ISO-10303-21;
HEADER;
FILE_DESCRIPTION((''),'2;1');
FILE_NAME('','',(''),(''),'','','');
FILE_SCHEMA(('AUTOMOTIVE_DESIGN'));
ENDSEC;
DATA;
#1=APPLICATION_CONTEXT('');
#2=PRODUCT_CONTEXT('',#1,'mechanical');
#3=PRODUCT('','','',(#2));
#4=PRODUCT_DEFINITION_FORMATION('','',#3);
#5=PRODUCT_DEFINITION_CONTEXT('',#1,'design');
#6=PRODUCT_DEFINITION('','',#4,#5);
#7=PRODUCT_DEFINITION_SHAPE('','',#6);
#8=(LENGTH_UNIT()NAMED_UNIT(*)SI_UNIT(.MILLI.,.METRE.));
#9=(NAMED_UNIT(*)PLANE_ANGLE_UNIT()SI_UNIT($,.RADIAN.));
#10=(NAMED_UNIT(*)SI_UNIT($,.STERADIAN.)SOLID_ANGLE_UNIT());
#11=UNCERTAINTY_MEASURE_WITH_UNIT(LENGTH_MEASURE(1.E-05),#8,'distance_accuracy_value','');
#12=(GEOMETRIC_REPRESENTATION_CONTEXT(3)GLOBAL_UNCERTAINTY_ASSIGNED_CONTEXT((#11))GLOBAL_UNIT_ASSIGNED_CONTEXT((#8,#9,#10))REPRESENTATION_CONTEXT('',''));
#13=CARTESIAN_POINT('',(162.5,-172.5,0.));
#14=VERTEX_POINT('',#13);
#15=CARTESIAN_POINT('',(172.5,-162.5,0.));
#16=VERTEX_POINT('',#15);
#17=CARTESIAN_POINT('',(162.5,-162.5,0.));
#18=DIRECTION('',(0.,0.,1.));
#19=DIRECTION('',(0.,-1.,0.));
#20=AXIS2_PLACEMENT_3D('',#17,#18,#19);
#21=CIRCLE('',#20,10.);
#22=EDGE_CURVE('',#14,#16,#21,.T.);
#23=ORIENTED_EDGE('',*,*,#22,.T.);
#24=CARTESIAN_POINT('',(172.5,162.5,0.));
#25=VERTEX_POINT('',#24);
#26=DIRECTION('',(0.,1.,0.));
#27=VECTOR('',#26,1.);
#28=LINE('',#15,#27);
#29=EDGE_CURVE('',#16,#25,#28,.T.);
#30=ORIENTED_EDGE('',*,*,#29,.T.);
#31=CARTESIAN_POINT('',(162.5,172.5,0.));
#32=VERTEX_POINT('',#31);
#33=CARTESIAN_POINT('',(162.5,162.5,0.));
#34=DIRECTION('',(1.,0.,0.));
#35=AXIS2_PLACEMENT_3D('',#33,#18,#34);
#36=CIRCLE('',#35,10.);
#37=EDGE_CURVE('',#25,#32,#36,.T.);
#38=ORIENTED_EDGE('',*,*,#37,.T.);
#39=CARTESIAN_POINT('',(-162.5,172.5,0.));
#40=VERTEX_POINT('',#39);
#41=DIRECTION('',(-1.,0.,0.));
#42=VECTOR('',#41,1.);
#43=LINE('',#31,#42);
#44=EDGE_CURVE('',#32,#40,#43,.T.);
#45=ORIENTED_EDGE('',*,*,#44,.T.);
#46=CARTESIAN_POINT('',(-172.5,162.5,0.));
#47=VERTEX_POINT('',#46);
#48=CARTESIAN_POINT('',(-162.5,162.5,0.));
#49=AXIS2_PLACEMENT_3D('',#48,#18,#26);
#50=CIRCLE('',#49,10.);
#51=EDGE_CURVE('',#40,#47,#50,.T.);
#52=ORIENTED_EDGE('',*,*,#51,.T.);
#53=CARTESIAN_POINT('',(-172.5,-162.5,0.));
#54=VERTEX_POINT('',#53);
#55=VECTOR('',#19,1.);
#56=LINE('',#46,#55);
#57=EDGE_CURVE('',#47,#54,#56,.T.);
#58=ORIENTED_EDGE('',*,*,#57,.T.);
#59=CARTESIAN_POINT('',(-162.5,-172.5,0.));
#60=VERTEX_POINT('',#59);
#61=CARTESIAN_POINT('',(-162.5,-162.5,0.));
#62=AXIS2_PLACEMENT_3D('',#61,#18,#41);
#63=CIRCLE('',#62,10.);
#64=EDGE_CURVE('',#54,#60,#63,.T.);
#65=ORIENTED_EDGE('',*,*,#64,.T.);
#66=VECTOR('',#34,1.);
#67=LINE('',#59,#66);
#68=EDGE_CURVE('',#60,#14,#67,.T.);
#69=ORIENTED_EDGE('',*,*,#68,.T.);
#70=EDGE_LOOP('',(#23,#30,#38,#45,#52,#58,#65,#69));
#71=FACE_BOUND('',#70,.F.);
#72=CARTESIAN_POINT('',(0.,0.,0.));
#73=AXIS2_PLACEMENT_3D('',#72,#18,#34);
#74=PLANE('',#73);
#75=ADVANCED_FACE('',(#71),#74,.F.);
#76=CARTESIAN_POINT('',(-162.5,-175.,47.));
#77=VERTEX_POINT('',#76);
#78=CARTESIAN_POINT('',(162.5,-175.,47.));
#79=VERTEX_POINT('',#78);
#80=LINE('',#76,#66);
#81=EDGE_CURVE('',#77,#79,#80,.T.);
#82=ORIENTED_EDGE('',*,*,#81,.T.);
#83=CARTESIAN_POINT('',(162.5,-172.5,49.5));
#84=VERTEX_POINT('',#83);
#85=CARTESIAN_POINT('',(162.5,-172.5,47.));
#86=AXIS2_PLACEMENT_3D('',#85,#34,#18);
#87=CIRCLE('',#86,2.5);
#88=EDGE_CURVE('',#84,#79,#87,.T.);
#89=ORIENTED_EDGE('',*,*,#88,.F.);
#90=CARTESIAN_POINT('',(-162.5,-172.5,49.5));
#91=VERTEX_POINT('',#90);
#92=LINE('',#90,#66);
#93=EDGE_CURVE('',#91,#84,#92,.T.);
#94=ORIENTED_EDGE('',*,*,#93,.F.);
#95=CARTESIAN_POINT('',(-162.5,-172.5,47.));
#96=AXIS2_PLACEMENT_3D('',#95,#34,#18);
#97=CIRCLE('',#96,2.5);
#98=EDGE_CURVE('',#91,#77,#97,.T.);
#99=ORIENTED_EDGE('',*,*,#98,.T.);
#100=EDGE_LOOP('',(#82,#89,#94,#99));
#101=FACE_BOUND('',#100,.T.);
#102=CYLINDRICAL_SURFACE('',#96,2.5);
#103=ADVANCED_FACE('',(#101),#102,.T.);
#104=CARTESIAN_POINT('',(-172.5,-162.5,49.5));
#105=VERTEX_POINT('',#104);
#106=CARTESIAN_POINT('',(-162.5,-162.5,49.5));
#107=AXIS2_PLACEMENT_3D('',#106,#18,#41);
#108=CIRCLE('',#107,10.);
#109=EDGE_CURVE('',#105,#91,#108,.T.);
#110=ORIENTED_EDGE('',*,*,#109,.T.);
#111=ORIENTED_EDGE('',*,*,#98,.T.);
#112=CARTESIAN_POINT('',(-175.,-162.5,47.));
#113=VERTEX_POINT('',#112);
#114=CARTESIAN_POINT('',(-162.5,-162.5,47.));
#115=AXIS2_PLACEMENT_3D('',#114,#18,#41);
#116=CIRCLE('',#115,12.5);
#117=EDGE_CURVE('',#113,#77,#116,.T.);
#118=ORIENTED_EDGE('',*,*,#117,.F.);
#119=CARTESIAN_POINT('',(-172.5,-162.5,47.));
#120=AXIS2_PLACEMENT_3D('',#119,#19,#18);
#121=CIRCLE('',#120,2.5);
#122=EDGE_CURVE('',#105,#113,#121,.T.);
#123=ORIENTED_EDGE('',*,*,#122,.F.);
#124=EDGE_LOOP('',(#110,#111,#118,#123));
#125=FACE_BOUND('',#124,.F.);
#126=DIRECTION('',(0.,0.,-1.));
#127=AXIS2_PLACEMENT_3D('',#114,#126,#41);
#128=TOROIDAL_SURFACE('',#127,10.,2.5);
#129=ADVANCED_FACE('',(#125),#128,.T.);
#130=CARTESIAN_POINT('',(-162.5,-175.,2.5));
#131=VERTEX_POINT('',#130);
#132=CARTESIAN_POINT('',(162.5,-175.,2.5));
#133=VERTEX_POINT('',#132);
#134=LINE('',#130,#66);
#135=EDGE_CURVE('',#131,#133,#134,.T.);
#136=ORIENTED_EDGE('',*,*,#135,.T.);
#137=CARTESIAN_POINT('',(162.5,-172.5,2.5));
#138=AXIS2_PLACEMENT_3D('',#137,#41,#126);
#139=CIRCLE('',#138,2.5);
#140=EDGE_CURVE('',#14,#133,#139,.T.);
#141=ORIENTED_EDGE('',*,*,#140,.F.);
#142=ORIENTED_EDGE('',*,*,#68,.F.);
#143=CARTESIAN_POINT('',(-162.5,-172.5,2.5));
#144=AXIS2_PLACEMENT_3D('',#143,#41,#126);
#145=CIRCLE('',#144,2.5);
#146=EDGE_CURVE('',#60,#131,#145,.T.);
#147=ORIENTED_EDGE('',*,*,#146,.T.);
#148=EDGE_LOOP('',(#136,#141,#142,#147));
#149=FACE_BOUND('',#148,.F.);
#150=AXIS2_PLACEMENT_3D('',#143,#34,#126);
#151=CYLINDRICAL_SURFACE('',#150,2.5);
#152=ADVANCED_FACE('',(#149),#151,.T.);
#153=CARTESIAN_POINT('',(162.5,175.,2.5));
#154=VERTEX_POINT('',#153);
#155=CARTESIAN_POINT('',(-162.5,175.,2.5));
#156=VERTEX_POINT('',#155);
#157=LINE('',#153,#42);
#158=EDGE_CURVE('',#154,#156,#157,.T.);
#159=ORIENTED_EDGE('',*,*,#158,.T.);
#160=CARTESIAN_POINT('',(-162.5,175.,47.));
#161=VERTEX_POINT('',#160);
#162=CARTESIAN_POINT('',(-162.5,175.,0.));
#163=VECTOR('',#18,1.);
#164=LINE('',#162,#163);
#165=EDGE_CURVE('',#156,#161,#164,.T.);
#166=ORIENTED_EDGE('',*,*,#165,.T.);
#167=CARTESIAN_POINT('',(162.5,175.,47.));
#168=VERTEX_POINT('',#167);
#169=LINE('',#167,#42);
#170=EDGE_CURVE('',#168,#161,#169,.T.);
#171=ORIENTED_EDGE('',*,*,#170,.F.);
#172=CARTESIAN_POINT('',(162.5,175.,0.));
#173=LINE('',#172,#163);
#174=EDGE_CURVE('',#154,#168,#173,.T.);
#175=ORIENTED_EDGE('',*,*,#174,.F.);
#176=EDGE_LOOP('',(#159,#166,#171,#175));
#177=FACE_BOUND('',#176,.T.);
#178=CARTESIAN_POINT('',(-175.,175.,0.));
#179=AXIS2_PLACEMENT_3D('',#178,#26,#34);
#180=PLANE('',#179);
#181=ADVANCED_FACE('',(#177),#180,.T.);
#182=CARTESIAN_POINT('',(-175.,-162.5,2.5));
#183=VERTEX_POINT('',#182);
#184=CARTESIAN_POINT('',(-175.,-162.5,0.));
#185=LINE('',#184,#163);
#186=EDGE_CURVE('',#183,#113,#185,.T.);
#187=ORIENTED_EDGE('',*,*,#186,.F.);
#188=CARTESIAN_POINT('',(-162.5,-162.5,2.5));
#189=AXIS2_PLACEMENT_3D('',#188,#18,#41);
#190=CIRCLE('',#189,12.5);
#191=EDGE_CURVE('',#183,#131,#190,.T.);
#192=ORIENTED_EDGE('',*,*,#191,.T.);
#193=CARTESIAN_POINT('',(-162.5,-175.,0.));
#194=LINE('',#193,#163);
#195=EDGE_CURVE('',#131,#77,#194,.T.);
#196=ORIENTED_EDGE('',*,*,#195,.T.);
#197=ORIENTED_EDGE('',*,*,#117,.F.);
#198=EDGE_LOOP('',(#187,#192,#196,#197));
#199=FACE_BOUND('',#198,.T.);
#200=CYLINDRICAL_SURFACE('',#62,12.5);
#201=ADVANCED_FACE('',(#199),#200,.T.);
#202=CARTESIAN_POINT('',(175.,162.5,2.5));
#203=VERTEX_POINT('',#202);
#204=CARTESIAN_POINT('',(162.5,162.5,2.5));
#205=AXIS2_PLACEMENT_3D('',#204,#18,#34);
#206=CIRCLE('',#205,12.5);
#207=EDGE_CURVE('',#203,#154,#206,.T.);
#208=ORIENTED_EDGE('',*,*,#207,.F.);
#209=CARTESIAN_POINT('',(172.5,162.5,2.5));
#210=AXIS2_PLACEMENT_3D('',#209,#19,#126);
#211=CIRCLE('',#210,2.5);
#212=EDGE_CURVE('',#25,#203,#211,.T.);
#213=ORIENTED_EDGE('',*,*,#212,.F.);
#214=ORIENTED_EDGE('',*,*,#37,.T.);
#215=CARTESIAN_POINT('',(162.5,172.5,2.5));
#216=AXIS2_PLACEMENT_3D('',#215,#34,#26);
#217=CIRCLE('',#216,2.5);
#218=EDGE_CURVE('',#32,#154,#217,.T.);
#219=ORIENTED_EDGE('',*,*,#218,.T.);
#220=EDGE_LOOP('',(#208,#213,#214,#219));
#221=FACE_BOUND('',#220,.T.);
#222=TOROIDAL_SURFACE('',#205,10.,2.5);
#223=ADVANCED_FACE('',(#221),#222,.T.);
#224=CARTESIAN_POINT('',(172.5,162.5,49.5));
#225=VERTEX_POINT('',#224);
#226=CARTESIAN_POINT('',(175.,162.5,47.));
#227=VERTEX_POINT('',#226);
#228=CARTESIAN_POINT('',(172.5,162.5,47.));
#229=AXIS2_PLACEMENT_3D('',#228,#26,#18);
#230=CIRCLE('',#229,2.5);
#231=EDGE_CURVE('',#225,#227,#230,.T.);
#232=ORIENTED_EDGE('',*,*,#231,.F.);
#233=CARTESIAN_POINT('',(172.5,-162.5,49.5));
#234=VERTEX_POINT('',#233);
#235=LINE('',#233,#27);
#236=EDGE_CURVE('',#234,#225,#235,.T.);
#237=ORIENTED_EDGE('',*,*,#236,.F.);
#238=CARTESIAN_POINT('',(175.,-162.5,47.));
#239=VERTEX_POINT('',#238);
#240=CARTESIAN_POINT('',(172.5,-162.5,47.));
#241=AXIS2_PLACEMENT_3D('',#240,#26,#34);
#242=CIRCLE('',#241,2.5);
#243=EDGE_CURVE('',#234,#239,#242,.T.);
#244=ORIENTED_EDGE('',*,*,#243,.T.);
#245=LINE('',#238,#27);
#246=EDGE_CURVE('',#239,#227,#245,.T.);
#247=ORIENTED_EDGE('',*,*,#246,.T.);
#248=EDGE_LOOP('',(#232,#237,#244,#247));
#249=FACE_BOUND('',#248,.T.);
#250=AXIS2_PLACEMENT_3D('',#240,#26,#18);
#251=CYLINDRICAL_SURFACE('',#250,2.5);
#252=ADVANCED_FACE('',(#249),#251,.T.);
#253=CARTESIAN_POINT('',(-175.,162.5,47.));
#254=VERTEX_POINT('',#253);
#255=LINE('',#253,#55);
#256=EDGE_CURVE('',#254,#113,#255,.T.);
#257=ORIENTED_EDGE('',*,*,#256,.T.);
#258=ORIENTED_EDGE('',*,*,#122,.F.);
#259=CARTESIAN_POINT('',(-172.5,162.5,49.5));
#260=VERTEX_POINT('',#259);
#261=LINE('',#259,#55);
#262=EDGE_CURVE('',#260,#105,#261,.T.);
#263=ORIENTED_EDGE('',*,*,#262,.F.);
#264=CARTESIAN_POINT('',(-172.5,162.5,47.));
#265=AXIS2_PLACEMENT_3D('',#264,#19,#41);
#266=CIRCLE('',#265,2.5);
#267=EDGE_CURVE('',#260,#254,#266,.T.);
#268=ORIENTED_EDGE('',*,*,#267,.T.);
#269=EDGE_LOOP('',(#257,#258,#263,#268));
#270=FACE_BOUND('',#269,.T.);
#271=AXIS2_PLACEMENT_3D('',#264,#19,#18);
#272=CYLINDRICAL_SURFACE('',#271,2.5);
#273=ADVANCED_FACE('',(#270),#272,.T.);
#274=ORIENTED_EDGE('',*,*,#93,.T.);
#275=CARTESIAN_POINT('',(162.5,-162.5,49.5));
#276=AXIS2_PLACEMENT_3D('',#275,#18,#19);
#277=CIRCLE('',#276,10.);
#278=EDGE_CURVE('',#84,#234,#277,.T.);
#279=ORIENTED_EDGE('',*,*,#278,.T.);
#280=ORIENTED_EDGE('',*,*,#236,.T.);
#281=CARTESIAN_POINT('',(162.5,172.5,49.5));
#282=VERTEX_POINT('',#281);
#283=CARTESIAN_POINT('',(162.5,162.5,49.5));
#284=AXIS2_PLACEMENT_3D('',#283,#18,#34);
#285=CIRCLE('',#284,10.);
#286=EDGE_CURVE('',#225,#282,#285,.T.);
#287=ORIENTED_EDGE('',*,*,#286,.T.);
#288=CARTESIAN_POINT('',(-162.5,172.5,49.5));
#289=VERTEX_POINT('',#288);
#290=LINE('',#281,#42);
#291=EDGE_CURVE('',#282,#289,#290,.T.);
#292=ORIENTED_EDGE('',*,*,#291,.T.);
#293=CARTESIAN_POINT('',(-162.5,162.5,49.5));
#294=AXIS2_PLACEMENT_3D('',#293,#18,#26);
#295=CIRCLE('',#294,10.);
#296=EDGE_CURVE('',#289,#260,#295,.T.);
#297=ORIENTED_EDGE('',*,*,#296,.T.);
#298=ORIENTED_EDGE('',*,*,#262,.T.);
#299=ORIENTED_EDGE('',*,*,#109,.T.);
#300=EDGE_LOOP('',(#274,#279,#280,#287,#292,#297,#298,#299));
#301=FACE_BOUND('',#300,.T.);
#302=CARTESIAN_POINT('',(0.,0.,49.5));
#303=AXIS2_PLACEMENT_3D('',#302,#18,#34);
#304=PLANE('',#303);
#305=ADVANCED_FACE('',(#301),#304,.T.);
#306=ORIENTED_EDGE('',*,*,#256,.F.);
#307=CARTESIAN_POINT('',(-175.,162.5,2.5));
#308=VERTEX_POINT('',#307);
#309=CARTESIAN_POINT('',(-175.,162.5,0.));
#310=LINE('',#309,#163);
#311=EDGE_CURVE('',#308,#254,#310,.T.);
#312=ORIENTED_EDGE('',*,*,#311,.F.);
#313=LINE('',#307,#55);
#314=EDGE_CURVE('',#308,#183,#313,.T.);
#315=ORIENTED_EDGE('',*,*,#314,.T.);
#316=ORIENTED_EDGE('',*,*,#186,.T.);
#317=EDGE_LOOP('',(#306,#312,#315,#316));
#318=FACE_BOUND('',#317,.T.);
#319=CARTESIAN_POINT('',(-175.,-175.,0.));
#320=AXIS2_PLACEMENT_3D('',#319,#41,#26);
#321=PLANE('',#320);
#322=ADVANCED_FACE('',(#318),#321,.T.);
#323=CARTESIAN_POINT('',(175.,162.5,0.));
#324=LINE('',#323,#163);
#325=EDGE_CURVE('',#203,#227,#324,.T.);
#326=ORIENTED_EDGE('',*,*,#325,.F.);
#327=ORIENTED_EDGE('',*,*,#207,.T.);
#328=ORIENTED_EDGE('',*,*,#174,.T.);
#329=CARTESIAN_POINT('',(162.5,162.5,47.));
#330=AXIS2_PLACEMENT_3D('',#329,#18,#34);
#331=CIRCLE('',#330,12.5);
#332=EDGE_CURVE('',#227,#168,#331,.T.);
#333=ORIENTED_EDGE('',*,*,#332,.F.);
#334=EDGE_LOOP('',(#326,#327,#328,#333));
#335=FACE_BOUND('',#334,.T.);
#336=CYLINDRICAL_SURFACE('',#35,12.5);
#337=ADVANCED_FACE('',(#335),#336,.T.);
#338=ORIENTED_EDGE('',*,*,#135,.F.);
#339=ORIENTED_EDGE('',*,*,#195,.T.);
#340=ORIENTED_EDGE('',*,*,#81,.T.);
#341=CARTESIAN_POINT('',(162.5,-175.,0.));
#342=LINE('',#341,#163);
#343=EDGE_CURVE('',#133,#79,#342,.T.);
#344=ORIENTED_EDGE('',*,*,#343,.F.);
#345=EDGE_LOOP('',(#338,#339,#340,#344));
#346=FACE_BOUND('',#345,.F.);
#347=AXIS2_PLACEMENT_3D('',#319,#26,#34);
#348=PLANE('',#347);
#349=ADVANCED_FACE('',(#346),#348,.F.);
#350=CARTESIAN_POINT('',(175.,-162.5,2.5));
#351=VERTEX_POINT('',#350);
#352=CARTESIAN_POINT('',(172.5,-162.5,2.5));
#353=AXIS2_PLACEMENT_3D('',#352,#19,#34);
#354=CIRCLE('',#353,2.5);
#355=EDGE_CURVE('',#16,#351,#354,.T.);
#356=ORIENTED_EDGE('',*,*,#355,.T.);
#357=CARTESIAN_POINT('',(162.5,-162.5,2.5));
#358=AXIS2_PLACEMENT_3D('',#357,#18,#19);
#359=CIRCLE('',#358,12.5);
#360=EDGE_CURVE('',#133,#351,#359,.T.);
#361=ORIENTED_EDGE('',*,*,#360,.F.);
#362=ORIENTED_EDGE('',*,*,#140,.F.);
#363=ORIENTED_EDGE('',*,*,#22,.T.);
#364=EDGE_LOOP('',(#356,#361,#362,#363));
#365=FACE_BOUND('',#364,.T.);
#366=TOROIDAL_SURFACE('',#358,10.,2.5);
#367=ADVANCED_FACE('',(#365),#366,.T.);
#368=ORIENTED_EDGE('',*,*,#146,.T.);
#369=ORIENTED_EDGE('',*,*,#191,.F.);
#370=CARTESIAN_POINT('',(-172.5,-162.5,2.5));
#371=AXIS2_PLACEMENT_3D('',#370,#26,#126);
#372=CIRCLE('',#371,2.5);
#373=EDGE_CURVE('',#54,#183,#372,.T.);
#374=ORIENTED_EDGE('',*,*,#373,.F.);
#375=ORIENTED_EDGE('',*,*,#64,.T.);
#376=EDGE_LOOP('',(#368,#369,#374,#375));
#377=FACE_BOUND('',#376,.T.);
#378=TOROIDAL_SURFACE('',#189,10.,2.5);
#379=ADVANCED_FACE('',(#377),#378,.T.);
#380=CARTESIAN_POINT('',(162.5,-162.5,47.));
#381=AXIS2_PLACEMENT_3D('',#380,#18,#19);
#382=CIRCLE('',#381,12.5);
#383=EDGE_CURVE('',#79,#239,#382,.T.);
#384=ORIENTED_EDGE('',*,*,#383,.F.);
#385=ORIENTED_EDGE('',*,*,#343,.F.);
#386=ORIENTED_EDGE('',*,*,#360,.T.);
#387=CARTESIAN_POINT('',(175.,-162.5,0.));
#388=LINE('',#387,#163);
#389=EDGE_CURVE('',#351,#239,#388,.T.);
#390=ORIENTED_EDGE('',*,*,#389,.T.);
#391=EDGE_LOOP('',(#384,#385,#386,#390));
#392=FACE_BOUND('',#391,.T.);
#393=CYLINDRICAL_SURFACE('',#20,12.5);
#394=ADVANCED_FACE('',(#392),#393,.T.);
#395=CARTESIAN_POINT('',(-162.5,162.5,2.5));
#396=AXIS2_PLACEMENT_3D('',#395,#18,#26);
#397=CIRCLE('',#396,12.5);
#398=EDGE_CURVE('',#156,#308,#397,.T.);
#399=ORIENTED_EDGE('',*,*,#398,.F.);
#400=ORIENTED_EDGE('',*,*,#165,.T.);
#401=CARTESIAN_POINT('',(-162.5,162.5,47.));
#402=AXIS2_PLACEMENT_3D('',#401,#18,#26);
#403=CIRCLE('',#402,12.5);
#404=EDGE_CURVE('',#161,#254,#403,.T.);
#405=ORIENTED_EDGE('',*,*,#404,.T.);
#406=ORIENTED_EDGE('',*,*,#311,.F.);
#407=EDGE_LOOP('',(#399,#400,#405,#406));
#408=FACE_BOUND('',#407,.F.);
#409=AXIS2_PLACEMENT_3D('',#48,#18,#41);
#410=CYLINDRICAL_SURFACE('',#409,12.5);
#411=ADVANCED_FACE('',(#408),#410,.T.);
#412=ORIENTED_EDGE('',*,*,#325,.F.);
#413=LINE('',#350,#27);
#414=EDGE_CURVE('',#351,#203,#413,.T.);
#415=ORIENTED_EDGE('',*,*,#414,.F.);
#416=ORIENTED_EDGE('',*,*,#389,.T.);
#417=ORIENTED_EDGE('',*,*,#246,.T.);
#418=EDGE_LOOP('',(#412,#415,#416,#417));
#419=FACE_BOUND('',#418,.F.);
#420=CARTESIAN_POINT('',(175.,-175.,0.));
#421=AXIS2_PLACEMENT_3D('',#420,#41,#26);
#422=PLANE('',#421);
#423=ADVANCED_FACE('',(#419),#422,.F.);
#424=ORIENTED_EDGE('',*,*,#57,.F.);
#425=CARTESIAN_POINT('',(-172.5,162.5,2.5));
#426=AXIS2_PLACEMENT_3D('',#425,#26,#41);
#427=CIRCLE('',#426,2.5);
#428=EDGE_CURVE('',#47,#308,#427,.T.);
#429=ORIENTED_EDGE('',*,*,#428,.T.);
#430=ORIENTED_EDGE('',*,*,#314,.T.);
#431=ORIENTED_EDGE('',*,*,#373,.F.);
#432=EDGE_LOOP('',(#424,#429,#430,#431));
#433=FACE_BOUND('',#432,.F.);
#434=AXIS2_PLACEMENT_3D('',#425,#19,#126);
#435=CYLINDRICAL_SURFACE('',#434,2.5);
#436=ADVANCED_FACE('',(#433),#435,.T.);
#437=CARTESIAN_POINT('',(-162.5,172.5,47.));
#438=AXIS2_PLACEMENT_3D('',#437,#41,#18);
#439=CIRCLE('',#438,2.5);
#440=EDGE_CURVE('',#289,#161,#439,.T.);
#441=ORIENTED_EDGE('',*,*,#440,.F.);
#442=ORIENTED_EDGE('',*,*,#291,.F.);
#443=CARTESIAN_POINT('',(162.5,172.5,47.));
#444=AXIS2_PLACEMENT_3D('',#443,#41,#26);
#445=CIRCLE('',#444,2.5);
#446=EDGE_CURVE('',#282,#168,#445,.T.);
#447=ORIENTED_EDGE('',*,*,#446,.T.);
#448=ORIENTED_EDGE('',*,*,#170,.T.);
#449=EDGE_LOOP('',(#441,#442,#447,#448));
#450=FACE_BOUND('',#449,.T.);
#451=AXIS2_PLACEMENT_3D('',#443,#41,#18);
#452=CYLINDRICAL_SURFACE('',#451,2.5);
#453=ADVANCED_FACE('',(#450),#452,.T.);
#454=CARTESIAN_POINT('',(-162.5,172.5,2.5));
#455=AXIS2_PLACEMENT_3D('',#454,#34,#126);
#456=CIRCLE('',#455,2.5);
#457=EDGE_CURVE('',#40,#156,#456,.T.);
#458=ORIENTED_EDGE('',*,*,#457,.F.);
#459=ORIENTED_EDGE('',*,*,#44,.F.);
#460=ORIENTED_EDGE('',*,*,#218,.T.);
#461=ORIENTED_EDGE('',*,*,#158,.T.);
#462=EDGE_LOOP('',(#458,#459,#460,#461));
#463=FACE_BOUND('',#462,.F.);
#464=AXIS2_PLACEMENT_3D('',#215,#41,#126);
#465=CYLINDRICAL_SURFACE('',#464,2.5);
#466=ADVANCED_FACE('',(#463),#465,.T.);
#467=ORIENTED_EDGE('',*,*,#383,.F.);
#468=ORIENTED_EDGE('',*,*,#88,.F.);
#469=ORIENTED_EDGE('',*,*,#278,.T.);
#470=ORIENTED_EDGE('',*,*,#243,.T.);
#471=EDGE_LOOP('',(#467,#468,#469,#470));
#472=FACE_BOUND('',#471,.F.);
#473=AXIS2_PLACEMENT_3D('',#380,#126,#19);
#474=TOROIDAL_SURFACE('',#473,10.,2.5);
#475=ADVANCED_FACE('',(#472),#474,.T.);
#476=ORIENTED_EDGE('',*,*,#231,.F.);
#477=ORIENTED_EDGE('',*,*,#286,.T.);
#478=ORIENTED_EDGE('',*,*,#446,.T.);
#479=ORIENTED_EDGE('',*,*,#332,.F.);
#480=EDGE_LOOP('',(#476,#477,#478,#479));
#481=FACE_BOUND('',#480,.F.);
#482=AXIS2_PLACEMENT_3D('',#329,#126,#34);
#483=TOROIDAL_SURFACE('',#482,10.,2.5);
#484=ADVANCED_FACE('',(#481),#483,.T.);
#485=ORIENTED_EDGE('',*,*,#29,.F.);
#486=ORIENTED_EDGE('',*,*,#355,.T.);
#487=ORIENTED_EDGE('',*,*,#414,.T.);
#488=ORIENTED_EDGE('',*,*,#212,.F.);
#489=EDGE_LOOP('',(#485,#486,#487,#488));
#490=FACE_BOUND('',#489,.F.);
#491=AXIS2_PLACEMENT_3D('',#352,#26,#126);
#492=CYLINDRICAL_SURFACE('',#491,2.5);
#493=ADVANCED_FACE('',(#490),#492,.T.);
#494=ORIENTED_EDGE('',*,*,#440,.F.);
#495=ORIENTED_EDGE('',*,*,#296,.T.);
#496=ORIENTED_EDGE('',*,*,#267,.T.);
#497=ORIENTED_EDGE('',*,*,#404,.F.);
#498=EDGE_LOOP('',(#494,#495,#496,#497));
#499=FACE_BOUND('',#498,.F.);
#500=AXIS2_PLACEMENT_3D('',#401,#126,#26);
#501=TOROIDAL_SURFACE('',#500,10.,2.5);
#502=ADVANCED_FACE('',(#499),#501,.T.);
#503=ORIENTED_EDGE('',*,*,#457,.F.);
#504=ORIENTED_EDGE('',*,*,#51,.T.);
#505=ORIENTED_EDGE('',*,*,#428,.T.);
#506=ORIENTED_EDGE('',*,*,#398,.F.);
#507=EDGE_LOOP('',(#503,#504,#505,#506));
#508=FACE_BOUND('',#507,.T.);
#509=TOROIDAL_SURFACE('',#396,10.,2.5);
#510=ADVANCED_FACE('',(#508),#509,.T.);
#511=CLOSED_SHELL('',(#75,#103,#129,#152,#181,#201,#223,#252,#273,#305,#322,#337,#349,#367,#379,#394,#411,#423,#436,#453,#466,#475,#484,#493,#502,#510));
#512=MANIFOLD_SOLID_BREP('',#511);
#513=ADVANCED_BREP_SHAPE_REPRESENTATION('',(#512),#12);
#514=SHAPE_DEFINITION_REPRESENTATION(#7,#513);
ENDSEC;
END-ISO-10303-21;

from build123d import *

# Parameters (mm, degrees)
F0_W     = 350
F0_H     = 350
F1_DEPTH = 49.5
F2_R     = 12.5
F3_R     = 2.5


with BuildPart() as f1:
    # F0 (on Top) → F1 (new body)
    with BuildSketch(Plane.XY):
        Rectangle(F0_W, F0_H)
    extrude(amount=F1_DEPTH)

    # F2
    f2_edges = [f1.edges().sort_by_distance(p)[0] for p in [
        (175, -175, 24.75),
        (175, 175, 24.75),
        (-175, 175, 24.75),
        (-175, -175, 24.75),
    ]]
    fillet(f2_edges, radius=F2_R)

    # F3
    f3_edges = [f1.edges().sort_by_distance(p)[0] for p in [
        (0, -175, 0),
        (0, -175, 49.5),
    ]]
    fillet(f3_edges, radius=F3_R)


solid = f1.part
